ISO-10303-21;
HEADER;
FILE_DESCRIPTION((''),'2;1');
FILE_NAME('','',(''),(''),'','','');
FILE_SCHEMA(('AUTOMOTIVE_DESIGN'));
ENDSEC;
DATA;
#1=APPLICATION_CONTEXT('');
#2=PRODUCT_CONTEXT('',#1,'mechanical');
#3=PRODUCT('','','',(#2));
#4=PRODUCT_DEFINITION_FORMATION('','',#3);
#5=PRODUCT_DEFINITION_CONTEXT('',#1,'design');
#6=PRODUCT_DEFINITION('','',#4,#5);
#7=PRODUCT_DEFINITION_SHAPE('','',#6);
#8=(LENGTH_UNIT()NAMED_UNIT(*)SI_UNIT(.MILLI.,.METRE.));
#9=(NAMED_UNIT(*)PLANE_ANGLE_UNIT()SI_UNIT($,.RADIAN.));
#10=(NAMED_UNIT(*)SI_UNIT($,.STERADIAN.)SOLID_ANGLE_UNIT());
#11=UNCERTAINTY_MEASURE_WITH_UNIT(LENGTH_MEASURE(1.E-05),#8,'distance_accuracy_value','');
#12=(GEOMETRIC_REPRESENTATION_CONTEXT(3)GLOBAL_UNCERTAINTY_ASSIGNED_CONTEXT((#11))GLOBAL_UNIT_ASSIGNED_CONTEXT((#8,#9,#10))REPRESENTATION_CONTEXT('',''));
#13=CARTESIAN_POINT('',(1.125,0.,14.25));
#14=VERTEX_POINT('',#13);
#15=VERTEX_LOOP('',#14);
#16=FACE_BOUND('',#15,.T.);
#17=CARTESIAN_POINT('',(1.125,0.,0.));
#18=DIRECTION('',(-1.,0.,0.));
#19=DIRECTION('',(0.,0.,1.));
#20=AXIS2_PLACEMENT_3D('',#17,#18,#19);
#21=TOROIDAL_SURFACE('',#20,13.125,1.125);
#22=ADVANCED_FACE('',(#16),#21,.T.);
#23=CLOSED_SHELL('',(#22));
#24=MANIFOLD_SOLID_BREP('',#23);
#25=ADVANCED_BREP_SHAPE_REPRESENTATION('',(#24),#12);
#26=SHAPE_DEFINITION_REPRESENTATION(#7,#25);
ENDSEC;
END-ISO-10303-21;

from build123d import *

# Parameters (mm, degrees)
SKETCH1_R = 1.125


with BuildPart() as part:
    # Sketch1 → Base-Revolve (revolve)
    with BuildSketch(Plane.XY, mode=Mode.PRIVATE) as base_revolve_sk:
        with Locations((1.125, 13.125)):
            Circle(SKETCH1_R)
    revolve(base_revolve_sk.sketch.rotate(Axis((0, 0, 0), (1, 0, 0)), 90), axis=Axis((0, 0, 0), (1, 0, 0)))


solid = part.part
